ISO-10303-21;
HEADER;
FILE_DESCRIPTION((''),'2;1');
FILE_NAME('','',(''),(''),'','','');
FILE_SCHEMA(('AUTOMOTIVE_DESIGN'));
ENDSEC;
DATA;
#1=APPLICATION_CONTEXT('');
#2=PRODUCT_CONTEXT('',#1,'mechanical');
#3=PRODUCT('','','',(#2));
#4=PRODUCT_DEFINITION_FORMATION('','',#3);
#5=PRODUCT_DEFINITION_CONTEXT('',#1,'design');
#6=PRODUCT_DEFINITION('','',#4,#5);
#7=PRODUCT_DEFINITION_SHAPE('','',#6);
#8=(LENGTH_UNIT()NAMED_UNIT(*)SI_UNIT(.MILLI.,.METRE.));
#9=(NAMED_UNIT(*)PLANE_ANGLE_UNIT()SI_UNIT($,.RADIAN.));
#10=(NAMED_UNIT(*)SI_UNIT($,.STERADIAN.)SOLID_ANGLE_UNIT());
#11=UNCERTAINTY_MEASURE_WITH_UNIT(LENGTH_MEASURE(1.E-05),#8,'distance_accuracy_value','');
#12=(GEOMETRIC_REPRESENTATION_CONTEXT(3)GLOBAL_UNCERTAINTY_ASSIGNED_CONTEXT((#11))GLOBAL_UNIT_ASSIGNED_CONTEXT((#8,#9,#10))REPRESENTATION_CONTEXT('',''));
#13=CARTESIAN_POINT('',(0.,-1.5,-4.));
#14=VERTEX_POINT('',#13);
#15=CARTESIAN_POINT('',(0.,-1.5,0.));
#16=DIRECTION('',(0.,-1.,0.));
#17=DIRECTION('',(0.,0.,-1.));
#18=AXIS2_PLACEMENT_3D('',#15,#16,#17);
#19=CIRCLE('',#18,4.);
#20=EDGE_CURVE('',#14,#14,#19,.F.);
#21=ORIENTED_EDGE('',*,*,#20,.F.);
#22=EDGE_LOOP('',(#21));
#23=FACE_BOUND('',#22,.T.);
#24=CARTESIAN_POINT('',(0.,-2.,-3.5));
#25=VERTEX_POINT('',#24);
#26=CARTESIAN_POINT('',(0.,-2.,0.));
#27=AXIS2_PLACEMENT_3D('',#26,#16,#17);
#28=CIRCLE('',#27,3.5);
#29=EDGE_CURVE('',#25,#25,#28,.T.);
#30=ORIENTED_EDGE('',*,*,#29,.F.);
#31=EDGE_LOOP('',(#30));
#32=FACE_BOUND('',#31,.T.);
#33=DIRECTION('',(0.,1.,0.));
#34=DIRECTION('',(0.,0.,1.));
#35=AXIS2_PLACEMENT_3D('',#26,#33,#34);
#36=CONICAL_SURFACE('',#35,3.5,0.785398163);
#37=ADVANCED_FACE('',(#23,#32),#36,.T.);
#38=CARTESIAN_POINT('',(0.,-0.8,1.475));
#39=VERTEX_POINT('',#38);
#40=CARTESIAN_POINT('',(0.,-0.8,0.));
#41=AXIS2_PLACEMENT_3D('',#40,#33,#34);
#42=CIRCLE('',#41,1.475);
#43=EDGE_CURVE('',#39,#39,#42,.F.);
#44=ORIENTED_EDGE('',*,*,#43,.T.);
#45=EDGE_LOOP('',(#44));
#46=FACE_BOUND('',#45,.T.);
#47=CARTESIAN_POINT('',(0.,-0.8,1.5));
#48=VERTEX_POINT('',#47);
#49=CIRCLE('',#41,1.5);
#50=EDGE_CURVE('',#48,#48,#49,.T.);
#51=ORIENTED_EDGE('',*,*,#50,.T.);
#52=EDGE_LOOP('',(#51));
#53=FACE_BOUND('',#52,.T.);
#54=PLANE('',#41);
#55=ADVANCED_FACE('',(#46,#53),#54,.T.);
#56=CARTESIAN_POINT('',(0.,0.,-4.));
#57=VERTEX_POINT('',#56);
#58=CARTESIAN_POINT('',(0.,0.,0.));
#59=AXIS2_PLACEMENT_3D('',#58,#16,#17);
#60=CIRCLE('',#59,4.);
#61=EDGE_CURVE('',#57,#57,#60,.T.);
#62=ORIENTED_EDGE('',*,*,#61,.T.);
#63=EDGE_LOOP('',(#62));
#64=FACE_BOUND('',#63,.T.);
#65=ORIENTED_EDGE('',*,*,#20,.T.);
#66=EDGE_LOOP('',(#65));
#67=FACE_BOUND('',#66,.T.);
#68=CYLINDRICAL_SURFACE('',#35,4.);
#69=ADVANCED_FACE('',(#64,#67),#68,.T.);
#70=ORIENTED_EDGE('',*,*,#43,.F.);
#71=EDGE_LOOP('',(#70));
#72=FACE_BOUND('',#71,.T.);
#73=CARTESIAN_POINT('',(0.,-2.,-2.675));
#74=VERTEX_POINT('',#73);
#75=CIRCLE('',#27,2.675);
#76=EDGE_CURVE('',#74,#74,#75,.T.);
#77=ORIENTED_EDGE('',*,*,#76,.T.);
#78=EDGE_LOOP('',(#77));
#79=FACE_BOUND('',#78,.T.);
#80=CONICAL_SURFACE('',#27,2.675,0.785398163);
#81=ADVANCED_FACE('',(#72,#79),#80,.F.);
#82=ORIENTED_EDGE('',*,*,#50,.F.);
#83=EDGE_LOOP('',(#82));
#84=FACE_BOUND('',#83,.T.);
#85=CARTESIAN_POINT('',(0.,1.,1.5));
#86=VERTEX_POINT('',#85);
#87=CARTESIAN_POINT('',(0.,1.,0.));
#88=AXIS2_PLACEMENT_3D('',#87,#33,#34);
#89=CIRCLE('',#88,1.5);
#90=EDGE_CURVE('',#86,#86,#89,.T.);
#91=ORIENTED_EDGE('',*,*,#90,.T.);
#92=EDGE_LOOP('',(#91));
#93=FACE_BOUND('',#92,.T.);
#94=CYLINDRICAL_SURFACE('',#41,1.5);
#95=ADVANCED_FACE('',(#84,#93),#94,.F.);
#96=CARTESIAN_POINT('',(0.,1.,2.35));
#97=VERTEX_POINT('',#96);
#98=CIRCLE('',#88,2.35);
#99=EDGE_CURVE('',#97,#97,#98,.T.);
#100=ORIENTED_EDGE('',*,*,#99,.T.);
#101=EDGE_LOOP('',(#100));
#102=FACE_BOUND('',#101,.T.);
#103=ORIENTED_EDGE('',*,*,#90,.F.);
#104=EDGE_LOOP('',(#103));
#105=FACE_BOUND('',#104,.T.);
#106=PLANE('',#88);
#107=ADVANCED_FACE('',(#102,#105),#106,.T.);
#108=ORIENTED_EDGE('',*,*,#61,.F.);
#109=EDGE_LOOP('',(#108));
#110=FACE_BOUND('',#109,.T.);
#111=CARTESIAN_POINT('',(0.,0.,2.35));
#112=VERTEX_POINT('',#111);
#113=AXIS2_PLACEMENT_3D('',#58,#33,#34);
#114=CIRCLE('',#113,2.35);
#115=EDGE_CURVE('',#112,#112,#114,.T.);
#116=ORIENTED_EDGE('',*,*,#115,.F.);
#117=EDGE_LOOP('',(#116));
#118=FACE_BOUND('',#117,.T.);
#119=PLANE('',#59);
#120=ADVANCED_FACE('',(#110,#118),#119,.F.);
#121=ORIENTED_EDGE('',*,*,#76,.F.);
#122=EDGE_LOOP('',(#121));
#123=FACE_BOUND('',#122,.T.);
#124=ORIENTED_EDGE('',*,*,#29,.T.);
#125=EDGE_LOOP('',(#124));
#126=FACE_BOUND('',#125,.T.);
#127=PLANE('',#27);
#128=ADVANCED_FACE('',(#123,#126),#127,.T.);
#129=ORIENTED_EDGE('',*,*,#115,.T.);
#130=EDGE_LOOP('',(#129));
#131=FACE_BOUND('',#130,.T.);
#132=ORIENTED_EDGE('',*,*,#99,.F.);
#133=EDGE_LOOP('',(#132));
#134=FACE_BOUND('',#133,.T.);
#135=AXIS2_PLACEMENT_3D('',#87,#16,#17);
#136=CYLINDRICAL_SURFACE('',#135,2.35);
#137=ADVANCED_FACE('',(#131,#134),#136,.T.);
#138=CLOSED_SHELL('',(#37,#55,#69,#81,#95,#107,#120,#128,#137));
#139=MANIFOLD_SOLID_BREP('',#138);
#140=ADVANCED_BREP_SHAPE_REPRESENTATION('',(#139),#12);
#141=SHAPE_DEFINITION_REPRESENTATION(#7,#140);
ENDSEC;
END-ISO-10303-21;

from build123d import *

# Parameters (mm, degrees)
SKETCH2_R           = 2.35
BOSS_EXTRUDE1_DEPTH = 1
SKETCH3_R           = 4
BOSS_EXTRUDE2_DEPTH = 2
SKETCH4_R           = 2.675
CUT_EXTRUDE1_DEPTH  = 1.8
CUT_EXTRUDE1_DRAFT  = -45
SKETCH5_R           = 1.5
CUT_EXTRUDE2_DEPTH  = 1.8
CHAMFER1_SIZE       = 0.5


with BuildPart() as part:
    # Sketch2 → Boss-Extrude1 (new body)
    with BuildSketch(Plane(origin=(0, 0, 0), x_dir=(1, 0, 0), z_dir=(0, 1, 0))):
        with Locations(Location((0, 0, 0), (0, 0, 270))):
            Circle(SKETCH2_R)
    extrude(amount=BOSS_EXTRUDE1_DEPTH)

    # Sketch3 → Boss-Extrude2 (add)
    with BuildSketch(Plane.XZ):
        with Locations(Location((0, 0, 0), (0, 0, 270))):
            Circle(SKETCH3_R)
    extrude(amount=BOSS_EXTRUDE2_DEPTH)


with BuildPart() as cut_extrude1_tool:
    # Sketch4 → Cut-Extrude1 (with draft: the straight prism first)
    with BuildSketch(Plane.XZ.offset(2)):
        Circle(SKETCH4_R)
    extrude(amount=-CUT_EXTRUDE1_DEPTH)
    # Cut-Extrude1: the draft: its side faces are tilted about the plane it starts from
    cut_extrude1_sides = [cut_extrude1_tool.faces().sort_by_distance(p)[0] for p in [
        (-2.675, -1.1, 0),
    ]]
    draft(cut_extrude1_sides, Plane.XZ.offset(2), CUT_EXTRUDE1_DRAFT)


with BuildPart() as part_1:
    add(part.part)

    # Cut-Extrude1: cut by cut_extrude1_tool
    add(cut_extrude1_tool.part, mode=Mode.SUBTRACT)

    # Sketch5 → Cut-Extrude2 (cut)
    with BuildSketch(Plane(origin=(0, 1, 0), x_dir=(1, 0, 0), z_dir=(0, 1, 0))):
        with Locations(Location((0, 0, 0), (0, 0, 270))):
            Circle(SKETCH5_R)
    extrude(amount=-CUT_EXTRUDE2_DEPTH, mode=Mode.SUBTRACT)

    # Chamfer1
    chamfer1_edges = [part_1.edges().sort_by_distance(p)[0] for p in [
        (0, -2, 4),
    ]]
    chamfer(chamfer1_edges, length=CHAMFER1_SIZE)


solid = part_1.part
